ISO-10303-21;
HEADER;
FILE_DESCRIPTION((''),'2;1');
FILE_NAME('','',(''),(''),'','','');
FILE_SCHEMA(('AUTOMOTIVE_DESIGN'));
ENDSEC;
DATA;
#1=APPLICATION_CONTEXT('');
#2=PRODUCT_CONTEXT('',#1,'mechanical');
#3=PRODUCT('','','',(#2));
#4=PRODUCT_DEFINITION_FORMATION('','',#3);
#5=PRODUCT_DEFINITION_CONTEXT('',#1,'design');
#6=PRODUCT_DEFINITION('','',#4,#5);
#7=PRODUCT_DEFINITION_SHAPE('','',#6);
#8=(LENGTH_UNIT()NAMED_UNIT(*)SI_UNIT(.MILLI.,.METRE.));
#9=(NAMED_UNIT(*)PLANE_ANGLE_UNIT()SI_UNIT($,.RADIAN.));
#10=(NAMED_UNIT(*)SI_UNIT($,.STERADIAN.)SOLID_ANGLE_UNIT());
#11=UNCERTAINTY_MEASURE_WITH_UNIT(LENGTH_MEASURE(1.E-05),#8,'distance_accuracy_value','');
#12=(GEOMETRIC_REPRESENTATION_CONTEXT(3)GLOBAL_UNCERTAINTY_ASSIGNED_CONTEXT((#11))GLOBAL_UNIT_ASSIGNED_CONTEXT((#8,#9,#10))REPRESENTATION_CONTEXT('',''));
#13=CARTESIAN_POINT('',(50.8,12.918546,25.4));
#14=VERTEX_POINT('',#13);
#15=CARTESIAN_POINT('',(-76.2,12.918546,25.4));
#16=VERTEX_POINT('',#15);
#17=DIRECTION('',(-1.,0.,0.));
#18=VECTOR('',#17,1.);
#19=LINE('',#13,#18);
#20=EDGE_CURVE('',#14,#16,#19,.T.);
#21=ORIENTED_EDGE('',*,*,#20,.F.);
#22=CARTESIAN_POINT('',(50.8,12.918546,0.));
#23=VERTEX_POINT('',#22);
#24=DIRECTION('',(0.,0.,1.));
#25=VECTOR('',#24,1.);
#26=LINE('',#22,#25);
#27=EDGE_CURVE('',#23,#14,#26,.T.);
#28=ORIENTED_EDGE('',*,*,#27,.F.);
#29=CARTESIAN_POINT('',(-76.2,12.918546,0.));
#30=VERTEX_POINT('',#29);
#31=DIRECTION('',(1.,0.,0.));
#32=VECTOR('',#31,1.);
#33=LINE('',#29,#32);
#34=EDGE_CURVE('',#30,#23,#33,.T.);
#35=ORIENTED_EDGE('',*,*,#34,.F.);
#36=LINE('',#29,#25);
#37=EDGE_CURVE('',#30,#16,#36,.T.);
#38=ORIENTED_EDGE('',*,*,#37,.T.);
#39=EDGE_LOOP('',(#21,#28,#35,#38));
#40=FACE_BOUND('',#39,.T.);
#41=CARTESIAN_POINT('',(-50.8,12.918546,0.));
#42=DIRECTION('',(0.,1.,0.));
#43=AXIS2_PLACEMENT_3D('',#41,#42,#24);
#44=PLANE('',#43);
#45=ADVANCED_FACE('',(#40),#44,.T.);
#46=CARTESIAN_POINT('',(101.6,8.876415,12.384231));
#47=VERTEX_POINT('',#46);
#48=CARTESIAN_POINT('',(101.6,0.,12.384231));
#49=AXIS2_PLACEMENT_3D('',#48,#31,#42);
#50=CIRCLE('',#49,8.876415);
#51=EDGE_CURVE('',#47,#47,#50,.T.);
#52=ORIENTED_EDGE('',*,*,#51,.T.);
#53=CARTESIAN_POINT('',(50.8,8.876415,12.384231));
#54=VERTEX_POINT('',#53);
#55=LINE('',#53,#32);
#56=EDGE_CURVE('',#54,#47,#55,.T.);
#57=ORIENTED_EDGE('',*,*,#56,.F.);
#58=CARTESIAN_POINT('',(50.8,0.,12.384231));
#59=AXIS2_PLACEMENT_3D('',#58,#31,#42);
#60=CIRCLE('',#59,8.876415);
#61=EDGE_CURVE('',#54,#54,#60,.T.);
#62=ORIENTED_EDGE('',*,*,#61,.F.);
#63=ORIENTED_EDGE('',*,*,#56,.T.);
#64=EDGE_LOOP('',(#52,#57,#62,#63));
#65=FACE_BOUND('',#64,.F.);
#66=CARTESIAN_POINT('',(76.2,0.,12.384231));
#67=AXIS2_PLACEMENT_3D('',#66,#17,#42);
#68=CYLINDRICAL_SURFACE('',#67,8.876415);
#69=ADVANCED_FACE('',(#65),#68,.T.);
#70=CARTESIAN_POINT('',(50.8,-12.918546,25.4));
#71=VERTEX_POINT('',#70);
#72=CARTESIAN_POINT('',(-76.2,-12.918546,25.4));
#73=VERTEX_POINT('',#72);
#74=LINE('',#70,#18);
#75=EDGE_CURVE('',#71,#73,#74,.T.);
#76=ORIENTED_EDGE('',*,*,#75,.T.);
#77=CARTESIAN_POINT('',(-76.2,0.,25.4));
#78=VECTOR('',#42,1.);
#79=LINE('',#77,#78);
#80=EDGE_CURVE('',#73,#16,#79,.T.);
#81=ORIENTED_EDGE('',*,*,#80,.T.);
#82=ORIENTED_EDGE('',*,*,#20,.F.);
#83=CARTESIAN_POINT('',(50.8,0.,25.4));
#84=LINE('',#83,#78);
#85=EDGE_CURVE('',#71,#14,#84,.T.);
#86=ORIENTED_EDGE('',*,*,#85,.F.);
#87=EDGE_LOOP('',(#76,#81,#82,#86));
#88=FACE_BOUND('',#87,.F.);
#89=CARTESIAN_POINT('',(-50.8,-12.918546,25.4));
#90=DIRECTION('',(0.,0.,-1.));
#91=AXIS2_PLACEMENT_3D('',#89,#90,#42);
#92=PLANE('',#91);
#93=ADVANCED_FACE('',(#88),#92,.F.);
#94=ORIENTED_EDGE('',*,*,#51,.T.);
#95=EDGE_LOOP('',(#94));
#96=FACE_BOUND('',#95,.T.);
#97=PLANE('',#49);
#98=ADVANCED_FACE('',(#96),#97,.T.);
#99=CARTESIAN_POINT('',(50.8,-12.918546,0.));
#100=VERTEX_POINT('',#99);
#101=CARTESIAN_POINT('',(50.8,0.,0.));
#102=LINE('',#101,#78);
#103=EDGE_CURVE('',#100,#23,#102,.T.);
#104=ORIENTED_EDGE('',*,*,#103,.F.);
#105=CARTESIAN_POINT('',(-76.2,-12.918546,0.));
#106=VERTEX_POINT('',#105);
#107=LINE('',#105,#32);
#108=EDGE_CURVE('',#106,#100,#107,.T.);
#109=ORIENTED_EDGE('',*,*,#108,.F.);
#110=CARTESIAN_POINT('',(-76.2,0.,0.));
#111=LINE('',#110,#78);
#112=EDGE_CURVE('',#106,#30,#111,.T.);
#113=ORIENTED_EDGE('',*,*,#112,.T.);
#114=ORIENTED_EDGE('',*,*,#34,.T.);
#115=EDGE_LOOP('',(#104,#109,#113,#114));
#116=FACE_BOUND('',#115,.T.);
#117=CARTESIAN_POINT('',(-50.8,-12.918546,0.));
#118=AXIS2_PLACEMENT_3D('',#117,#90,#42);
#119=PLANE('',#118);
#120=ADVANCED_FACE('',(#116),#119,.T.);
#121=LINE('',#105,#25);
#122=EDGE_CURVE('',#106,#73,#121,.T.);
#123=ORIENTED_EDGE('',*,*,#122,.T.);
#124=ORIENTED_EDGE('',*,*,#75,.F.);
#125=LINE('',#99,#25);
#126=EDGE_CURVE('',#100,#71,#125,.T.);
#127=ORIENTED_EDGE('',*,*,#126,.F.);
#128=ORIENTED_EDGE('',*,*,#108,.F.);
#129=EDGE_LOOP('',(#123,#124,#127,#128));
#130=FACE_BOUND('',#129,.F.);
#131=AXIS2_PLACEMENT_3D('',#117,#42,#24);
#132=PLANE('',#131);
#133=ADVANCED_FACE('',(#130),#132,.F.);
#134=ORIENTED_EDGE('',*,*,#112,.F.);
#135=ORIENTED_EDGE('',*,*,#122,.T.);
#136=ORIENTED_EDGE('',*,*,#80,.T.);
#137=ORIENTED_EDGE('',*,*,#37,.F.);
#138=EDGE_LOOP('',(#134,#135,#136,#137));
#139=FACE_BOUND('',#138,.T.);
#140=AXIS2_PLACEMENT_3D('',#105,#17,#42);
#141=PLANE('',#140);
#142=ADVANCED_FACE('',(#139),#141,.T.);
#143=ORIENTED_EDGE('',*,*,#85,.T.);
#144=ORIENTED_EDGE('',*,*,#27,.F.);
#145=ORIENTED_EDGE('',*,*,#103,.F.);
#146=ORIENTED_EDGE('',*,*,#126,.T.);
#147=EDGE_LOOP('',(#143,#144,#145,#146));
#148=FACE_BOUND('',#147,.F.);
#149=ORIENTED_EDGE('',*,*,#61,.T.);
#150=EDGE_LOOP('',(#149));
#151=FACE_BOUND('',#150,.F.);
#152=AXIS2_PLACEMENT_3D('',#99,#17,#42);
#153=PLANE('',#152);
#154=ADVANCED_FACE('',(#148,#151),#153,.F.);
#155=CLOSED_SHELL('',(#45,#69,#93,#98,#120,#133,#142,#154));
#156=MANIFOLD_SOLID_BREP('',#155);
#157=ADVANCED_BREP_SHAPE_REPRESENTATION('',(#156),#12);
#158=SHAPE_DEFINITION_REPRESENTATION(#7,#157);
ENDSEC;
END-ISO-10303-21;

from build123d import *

# Parameters (mm, degrees)
F0_W     = 101.6
F0_H     = 25.8370920686
F1_DEPTH = 25.4
F3_DEPTH = 25.4
F2_R     = 8.8764145502
F4_DEPTH = 25.4
F5_DEPTH = 25.4


with BuildPart() as f1:
    # F0 (on Top) → F1 (new body)
    with BuildSketch(Plane.XY):
        Rectangle(F0_W, F0_H)
    extrude(amount=F1_DEPTH)

    # F3 (add): a face of the model
    f3_faces = [f1.faces().sort_by_distance(p)[0] for p in [
        (-50.8, 0, 12.7),
    ]]
    extrude(f3_faces, amount=F3_DEPTH)

    # F2 (on face) → F4 (join)
    with BuildSketch(Plane.YZ.offset(50.8)):
        with Locations((0, 12.3842312023)):
            Circle(F2_R)
    extrude(amount=F4_DEPTH)

    # F5 (add): a face of the model
    f5_faces = [f1.faces().sort_by_distance(p)[0] for p in [
        (76.2, 0, 12.3842312023),
    ]]
    extrude(f5_faces, amount=F5_DEPTH)


solid = f1.part
